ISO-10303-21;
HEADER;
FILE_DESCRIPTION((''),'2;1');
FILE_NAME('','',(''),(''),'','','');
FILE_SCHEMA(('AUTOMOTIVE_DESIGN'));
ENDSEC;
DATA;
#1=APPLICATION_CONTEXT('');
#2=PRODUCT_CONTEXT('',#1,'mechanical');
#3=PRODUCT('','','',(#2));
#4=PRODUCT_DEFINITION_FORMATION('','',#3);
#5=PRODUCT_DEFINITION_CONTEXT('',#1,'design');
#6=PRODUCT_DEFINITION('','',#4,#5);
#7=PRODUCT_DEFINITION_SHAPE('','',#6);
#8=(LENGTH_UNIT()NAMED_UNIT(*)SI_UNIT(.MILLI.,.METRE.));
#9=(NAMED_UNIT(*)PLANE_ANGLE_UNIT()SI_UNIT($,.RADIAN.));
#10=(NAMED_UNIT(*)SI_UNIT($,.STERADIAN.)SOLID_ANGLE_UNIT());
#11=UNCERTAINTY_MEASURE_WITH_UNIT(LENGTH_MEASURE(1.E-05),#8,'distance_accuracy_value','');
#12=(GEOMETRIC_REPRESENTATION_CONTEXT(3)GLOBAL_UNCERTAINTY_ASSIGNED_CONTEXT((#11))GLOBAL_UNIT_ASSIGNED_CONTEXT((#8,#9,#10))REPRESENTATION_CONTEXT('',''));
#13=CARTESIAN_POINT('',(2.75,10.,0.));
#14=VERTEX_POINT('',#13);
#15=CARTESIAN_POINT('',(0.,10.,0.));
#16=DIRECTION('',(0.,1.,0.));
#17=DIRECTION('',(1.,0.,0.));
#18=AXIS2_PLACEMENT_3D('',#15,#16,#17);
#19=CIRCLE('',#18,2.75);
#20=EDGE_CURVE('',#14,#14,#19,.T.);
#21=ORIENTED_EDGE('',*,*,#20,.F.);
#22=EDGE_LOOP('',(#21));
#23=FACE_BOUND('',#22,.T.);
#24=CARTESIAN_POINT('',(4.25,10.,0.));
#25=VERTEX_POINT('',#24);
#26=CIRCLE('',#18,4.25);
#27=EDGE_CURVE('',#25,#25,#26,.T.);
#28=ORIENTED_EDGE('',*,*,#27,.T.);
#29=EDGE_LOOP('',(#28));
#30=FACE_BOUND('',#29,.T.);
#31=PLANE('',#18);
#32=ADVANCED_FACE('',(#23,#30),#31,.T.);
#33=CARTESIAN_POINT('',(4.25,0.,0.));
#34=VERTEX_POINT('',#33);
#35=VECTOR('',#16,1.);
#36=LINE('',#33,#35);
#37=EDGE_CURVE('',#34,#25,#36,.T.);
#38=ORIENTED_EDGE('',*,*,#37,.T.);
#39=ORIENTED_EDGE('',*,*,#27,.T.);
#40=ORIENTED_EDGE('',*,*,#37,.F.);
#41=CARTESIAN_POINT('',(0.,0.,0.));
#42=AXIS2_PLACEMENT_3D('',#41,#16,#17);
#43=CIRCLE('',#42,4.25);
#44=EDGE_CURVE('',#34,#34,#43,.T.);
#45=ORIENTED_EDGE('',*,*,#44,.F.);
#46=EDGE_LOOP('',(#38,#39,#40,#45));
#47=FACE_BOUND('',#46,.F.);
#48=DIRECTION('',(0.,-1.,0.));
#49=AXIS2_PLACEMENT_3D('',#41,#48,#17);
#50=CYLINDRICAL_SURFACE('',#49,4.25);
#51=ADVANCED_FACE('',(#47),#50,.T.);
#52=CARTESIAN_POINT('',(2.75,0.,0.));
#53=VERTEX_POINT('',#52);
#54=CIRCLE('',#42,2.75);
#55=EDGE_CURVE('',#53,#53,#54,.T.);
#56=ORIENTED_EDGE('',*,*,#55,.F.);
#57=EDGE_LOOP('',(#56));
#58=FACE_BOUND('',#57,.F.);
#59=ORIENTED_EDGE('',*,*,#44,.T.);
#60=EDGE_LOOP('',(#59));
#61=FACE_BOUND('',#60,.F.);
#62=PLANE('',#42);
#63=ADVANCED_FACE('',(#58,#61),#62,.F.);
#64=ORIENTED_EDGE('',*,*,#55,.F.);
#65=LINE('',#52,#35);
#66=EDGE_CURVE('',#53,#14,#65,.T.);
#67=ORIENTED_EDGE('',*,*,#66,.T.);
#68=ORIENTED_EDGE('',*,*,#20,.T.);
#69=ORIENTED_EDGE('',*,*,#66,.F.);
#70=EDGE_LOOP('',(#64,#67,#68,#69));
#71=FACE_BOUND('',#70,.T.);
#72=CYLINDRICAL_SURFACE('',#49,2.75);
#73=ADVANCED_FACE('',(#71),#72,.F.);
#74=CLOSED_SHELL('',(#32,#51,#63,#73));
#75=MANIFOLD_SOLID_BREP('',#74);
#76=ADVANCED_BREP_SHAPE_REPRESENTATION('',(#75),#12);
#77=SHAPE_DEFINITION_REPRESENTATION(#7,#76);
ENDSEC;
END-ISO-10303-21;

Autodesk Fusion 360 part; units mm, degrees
sketch "Sketch1" plane through (0, 0, 0) normal (0, 0, 1) x (1, 0, 0)
  circle A0 centre (15, 20) radius 4.25
  circle A1 centre (15, 20) radius 2.75
  dimension "d1" = 8.5
  dimension "d2" = 5.5
sketch "Sketch2" plane through (0, 0, 0) normal (0, 1, 0) x (1, 0, 0)
  circle A0 centre (0, 0) radius 2.75
  circle A1 centre (0, 0) radius 4.25
  dimension "d5" = 5.5
  dimension "d6" = 8.5
extrude "Extrude2" add sketch "Sketch2" along normal blind 10
sketch "Sketch3" plane through (0, 0, 0) normal (0, 1, 0) x (1, 0, 0)
sketch "Sketch4" plane through (0, 0, 0) normal (1, 0, 0) x (0, 1, 0)
  line L0 (3, 4.25) -> (7, 4.25)
  line L1 (7, 4.25) -> (7, 3.25)
  line L2 (7, 3.25) -> (3, 3.25)
  line L3 (3, 4.25) -> (3, 3.25)
  line L4 (7, -3.2534) -> (7, -4.2534)
  line L5 (7, -4.2534) -> (3, -4.2534)
  line L6 (3, -4.2534) -> (3, -3.2534)
  line L7 (3, -3.2534) -> (7, -3.2534)
  line L8 (3, -4.2534) -> (3, -3.2534)
  line L9 (3, 3.25) -> (3, 4.25)
  dimension "d9" = 1
  dimension "d10" = 1
